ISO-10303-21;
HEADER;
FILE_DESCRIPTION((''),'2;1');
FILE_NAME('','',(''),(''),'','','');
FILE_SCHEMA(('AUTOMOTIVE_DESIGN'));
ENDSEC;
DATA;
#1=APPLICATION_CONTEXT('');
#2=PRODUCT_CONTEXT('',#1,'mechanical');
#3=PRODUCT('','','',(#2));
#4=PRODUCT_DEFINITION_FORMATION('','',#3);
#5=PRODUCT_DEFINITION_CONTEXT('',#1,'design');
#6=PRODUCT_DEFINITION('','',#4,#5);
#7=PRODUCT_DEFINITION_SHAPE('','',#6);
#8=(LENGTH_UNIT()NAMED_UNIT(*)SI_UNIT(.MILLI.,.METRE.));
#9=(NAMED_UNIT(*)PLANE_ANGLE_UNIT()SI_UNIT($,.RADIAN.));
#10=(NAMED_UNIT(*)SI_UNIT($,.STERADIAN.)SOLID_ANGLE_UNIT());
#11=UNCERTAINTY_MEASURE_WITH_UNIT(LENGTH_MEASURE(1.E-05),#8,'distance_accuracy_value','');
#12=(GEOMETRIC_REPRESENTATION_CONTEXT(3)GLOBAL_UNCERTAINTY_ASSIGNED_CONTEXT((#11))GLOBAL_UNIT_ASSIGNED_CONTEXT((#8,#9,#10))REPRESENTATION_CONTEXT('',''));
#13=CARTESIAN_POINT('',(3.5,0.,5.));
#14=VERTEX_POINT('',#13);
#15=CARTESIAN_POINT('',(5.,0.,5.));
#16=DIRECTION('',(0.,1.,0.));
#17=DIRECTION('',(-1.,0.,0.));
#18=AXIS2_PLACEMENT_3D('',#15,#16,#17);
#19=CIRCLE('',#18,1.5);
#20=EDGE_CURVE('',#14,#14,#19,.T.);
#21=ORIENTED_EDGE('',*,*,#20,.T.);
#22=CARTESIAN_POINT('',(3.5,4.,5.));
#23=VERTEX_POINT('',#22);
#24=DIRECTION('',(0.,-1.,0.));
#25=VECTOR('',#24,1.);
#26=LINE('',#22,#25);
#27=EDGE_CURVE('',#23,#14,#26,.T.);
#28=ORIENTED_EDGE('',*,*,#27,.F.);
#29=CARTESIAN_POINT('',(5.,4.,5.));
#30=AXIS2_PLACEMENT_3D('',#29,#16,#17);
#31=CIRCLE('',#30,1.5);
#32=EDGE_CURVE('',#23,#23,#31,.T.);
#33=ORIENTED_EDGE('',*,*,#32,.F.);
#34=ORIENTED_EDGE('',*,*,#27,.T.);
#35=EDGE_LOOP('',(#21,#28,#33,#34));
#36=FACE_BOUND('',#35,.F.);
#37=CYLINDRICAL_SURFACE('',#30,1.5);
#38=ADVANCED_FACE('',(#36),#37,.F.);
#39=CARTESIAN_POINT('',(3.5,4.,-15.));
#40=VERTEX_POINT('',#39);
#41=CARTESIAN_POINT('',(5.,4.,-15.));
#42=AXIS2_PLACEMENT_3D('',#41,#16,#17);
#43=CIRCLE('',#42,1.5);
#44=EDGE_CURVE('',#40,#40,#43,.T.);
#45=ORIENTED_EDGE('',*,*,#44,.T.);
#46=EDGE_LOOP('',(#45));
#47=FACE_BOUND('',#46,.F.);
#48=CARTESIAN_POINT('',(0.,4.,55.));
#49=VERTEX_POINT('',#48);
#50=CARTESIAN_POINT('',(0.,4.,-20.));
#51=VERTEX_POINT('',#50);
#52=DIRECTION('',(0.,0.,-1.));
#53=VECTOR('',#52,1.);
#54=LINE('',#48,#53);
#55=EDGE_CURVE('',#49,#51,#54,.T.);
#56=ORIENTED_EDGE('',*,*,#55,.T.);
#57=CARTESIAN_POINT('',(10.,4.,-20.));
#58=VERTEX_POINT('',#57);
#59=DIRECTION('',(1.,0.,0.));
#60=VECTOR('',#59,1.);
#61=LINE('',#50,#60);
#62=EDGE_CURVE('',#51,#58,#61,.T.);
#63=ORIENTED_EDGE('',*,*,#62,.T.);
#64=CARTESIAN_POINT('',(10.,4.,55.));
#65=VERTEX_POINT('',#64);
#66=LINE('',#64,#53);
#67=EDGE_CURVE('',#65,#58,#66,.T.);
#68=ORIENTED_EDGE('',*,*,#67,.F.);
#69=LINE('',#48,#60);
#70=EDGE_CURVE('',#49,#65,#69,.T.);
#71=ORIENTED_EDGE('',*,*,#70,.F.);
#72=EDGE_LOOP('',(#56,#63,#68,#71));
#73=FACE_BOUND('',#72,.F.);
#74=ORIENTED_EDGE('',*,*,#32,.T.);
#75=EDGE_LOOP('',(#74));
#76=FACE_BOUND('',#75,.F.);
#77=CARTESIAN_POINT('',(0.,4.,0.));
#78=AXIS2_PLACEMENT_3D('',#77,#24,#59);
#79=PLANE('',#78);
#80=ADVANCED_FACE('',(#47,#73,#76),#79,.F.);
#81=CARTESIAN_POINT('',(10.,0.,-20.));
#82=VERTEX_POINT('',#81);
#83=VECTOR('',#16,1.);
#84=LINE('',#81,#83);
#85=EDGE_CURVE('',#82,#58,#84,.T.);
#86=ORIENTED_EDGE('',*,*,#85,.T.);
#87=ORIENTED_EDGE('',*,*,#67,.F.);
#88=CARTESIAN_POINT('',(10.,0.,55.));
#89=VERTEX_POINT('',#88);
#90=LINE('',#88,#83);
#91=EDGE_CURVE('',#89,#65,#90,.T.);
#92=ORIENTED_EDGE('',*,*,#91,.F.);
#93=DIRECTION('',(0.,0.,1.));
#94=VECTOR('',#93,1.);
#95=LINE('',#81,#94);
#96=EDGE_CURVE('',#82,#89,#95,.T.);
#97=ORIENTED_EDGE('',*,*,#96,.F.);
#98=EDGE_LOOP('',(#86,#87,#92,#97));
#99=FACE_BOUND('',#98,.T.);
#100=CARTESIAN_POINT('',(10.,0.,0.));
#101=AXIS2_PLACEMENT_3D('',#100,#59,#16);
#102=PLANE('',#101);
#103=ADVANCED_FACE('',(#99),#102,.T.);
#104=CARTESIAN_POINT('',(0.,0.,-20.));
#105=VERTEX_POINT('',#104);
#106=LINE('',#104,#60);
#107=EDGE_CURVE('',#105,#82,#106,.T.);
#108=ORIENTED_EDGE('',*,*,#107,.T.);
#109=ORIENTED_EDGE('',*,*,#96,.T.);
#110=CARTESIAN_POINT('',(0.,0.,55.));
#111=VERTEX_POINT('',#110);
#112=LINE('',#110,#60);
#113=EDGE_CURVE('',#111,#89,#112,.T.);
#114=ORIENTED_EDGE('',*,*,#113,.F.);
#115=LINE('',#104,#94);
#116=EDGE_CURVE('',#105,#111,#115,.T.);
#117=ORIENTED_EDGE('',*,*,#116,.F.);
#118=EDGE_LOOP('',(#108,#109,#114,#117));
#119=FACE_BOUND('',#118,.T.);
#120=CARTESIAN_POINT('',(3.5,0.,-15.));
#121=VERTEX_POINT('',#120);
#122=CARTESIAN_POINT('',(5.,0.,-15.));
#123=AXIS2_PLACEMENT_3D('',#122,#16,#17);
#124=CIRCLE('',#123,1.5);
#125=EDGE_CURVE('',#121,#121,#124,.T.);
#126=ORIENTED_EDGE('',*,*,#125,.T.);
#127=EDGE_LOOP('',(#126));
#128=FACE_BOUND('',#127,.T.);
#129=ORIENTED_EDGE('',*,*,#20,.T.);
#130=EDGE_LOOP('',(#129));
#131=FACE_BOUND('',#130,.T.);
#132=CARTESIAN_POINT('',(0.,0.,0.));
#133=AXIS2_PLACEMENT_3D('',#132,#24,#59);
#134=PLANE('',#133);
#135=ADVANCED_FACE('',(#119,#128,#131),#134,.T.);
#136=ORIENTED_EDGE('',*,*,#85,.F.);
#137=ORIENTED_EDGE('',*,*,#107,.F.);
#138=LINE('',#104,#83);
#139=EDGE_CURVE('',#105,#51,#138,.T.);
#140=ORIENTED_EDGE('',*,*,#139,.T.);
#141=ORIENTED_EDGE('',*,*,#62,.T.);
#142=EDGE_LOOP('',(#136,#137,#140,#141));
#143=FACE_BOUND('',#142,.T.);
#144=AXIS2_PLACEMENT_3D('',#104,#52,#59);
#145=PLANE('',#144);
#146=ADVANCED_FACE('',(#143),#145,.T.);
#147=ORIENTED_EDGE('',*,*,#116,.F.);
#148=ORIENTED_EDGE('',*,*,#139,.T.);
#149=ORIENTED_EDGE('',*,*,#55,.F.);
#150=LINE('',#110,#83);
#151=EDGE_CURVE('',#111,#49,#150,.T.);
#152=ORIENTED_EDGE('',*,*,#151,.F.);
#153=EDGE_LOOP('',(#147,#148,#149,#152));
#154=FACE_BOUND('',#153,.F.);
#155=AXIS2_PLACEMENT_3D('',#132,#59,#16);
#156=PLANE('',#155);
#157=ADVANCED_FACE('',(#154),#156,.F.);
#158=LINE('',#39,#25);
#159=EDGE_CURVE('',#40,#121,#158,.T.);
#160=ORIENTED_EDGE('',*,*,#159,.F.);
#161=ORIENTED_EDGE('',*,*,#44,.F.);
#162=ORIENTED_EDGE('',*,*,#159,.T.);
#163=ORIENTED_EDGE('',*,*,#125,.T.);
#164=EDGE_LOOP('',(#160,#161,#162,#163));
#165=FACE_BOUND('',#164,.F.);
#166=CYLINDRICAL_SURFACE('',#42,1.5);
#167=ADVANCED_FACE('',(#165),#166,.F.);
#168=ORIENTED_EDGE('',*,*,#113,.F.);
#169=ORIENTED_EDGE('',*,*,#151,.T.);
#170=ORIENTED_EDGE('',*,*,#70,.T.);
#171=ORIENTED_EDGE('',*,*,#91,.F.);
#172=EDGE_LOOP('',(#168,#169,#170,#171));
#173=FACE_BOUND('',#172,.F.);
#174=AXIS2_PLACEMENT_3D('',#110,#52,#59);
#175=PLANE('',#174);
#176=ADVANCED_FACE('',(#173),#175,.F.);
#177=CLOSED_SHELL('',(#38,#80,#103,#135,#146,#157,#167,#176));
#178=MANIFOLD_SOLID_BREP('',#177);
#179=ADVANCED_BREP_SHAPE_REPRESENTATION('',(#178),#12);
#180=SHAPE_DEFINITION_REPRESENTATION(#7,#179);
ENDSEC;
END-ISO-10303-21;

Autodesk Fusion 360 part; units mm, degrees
sketch "Skizze1" plane through (0, 0, 0) normal (0, 1, 0) x (1, 0, 0)
  line L0 (0, 0) -> (10, 0)
  line L1 (10, 0) -> (10, -40)
  line L2 (0, 0) -> (0, -40)
  line L3 (10, -40) -> (10, -45)
  line L4 (0, -40) -> (0, -45)
  line L5 (0, -45) -> (10, -45)
extrude "Extrusion1" add sketch "Skizze1" along normal blind 4
sketch "Skizze2" plane through (0, 4, 0) normal (0, 1, 0) x (-1, 0, 0)
  line L0 (0, 0) -> (0, 45)
  line L1 (0, 45) -> (-10, 45)
  line L2 (-10, 45) -> (-10, 0)
  line L3 (-10, 0) -> (0, 0)
  circle A0 centre (-5, 5) radius 1.5
  dimension "d3" = 3
extrude "Extrusion2" cut sketch "Skizze2" against normal blind 24 contours A0
extrude "Extrusion3" add 1 faces at (3.3333, 1.3333, 45) along direction (0, 0, 1) blind 10
sketch "Skizze3" plane through (0, 4, 0) normal (0, 1, 0) x (-1, 0, 0)
  circle A0 centre (-5, 5) radius 1.5
  line L0 (0, 0) -> (0, 55)
  line L1 (0, 55) -> (-10, 55)
  line L2 (-10, 55) -> (-10, 0)
  line L3 (-10, 0) -> (0, 0)
extrude "Extrusion4" add 1 faces at (3.3333, 1.3333, 0) along direction (0, 0, -1) blind 20
sketch "Skizze4" plane through (0, 4, 0) normal (0, 1, 0) x (-1, 0, 0)
  circle A0 centre (-5, 5) radius 1.5
  line L0 (0, -20) -> (0, 55)
  line L1 (0, 55) -> (-10, 55)
  line L2 (-10, 55) -> (-10, -20)
  line L3 (-10, -20) -> (0, -20)
  circle A1 centre (-5, -15) radius 1.5
  dimension "d10" = 3
extrude "Extrusion5" cut sketch "Skizze4" against normal blind 15 contours A1
